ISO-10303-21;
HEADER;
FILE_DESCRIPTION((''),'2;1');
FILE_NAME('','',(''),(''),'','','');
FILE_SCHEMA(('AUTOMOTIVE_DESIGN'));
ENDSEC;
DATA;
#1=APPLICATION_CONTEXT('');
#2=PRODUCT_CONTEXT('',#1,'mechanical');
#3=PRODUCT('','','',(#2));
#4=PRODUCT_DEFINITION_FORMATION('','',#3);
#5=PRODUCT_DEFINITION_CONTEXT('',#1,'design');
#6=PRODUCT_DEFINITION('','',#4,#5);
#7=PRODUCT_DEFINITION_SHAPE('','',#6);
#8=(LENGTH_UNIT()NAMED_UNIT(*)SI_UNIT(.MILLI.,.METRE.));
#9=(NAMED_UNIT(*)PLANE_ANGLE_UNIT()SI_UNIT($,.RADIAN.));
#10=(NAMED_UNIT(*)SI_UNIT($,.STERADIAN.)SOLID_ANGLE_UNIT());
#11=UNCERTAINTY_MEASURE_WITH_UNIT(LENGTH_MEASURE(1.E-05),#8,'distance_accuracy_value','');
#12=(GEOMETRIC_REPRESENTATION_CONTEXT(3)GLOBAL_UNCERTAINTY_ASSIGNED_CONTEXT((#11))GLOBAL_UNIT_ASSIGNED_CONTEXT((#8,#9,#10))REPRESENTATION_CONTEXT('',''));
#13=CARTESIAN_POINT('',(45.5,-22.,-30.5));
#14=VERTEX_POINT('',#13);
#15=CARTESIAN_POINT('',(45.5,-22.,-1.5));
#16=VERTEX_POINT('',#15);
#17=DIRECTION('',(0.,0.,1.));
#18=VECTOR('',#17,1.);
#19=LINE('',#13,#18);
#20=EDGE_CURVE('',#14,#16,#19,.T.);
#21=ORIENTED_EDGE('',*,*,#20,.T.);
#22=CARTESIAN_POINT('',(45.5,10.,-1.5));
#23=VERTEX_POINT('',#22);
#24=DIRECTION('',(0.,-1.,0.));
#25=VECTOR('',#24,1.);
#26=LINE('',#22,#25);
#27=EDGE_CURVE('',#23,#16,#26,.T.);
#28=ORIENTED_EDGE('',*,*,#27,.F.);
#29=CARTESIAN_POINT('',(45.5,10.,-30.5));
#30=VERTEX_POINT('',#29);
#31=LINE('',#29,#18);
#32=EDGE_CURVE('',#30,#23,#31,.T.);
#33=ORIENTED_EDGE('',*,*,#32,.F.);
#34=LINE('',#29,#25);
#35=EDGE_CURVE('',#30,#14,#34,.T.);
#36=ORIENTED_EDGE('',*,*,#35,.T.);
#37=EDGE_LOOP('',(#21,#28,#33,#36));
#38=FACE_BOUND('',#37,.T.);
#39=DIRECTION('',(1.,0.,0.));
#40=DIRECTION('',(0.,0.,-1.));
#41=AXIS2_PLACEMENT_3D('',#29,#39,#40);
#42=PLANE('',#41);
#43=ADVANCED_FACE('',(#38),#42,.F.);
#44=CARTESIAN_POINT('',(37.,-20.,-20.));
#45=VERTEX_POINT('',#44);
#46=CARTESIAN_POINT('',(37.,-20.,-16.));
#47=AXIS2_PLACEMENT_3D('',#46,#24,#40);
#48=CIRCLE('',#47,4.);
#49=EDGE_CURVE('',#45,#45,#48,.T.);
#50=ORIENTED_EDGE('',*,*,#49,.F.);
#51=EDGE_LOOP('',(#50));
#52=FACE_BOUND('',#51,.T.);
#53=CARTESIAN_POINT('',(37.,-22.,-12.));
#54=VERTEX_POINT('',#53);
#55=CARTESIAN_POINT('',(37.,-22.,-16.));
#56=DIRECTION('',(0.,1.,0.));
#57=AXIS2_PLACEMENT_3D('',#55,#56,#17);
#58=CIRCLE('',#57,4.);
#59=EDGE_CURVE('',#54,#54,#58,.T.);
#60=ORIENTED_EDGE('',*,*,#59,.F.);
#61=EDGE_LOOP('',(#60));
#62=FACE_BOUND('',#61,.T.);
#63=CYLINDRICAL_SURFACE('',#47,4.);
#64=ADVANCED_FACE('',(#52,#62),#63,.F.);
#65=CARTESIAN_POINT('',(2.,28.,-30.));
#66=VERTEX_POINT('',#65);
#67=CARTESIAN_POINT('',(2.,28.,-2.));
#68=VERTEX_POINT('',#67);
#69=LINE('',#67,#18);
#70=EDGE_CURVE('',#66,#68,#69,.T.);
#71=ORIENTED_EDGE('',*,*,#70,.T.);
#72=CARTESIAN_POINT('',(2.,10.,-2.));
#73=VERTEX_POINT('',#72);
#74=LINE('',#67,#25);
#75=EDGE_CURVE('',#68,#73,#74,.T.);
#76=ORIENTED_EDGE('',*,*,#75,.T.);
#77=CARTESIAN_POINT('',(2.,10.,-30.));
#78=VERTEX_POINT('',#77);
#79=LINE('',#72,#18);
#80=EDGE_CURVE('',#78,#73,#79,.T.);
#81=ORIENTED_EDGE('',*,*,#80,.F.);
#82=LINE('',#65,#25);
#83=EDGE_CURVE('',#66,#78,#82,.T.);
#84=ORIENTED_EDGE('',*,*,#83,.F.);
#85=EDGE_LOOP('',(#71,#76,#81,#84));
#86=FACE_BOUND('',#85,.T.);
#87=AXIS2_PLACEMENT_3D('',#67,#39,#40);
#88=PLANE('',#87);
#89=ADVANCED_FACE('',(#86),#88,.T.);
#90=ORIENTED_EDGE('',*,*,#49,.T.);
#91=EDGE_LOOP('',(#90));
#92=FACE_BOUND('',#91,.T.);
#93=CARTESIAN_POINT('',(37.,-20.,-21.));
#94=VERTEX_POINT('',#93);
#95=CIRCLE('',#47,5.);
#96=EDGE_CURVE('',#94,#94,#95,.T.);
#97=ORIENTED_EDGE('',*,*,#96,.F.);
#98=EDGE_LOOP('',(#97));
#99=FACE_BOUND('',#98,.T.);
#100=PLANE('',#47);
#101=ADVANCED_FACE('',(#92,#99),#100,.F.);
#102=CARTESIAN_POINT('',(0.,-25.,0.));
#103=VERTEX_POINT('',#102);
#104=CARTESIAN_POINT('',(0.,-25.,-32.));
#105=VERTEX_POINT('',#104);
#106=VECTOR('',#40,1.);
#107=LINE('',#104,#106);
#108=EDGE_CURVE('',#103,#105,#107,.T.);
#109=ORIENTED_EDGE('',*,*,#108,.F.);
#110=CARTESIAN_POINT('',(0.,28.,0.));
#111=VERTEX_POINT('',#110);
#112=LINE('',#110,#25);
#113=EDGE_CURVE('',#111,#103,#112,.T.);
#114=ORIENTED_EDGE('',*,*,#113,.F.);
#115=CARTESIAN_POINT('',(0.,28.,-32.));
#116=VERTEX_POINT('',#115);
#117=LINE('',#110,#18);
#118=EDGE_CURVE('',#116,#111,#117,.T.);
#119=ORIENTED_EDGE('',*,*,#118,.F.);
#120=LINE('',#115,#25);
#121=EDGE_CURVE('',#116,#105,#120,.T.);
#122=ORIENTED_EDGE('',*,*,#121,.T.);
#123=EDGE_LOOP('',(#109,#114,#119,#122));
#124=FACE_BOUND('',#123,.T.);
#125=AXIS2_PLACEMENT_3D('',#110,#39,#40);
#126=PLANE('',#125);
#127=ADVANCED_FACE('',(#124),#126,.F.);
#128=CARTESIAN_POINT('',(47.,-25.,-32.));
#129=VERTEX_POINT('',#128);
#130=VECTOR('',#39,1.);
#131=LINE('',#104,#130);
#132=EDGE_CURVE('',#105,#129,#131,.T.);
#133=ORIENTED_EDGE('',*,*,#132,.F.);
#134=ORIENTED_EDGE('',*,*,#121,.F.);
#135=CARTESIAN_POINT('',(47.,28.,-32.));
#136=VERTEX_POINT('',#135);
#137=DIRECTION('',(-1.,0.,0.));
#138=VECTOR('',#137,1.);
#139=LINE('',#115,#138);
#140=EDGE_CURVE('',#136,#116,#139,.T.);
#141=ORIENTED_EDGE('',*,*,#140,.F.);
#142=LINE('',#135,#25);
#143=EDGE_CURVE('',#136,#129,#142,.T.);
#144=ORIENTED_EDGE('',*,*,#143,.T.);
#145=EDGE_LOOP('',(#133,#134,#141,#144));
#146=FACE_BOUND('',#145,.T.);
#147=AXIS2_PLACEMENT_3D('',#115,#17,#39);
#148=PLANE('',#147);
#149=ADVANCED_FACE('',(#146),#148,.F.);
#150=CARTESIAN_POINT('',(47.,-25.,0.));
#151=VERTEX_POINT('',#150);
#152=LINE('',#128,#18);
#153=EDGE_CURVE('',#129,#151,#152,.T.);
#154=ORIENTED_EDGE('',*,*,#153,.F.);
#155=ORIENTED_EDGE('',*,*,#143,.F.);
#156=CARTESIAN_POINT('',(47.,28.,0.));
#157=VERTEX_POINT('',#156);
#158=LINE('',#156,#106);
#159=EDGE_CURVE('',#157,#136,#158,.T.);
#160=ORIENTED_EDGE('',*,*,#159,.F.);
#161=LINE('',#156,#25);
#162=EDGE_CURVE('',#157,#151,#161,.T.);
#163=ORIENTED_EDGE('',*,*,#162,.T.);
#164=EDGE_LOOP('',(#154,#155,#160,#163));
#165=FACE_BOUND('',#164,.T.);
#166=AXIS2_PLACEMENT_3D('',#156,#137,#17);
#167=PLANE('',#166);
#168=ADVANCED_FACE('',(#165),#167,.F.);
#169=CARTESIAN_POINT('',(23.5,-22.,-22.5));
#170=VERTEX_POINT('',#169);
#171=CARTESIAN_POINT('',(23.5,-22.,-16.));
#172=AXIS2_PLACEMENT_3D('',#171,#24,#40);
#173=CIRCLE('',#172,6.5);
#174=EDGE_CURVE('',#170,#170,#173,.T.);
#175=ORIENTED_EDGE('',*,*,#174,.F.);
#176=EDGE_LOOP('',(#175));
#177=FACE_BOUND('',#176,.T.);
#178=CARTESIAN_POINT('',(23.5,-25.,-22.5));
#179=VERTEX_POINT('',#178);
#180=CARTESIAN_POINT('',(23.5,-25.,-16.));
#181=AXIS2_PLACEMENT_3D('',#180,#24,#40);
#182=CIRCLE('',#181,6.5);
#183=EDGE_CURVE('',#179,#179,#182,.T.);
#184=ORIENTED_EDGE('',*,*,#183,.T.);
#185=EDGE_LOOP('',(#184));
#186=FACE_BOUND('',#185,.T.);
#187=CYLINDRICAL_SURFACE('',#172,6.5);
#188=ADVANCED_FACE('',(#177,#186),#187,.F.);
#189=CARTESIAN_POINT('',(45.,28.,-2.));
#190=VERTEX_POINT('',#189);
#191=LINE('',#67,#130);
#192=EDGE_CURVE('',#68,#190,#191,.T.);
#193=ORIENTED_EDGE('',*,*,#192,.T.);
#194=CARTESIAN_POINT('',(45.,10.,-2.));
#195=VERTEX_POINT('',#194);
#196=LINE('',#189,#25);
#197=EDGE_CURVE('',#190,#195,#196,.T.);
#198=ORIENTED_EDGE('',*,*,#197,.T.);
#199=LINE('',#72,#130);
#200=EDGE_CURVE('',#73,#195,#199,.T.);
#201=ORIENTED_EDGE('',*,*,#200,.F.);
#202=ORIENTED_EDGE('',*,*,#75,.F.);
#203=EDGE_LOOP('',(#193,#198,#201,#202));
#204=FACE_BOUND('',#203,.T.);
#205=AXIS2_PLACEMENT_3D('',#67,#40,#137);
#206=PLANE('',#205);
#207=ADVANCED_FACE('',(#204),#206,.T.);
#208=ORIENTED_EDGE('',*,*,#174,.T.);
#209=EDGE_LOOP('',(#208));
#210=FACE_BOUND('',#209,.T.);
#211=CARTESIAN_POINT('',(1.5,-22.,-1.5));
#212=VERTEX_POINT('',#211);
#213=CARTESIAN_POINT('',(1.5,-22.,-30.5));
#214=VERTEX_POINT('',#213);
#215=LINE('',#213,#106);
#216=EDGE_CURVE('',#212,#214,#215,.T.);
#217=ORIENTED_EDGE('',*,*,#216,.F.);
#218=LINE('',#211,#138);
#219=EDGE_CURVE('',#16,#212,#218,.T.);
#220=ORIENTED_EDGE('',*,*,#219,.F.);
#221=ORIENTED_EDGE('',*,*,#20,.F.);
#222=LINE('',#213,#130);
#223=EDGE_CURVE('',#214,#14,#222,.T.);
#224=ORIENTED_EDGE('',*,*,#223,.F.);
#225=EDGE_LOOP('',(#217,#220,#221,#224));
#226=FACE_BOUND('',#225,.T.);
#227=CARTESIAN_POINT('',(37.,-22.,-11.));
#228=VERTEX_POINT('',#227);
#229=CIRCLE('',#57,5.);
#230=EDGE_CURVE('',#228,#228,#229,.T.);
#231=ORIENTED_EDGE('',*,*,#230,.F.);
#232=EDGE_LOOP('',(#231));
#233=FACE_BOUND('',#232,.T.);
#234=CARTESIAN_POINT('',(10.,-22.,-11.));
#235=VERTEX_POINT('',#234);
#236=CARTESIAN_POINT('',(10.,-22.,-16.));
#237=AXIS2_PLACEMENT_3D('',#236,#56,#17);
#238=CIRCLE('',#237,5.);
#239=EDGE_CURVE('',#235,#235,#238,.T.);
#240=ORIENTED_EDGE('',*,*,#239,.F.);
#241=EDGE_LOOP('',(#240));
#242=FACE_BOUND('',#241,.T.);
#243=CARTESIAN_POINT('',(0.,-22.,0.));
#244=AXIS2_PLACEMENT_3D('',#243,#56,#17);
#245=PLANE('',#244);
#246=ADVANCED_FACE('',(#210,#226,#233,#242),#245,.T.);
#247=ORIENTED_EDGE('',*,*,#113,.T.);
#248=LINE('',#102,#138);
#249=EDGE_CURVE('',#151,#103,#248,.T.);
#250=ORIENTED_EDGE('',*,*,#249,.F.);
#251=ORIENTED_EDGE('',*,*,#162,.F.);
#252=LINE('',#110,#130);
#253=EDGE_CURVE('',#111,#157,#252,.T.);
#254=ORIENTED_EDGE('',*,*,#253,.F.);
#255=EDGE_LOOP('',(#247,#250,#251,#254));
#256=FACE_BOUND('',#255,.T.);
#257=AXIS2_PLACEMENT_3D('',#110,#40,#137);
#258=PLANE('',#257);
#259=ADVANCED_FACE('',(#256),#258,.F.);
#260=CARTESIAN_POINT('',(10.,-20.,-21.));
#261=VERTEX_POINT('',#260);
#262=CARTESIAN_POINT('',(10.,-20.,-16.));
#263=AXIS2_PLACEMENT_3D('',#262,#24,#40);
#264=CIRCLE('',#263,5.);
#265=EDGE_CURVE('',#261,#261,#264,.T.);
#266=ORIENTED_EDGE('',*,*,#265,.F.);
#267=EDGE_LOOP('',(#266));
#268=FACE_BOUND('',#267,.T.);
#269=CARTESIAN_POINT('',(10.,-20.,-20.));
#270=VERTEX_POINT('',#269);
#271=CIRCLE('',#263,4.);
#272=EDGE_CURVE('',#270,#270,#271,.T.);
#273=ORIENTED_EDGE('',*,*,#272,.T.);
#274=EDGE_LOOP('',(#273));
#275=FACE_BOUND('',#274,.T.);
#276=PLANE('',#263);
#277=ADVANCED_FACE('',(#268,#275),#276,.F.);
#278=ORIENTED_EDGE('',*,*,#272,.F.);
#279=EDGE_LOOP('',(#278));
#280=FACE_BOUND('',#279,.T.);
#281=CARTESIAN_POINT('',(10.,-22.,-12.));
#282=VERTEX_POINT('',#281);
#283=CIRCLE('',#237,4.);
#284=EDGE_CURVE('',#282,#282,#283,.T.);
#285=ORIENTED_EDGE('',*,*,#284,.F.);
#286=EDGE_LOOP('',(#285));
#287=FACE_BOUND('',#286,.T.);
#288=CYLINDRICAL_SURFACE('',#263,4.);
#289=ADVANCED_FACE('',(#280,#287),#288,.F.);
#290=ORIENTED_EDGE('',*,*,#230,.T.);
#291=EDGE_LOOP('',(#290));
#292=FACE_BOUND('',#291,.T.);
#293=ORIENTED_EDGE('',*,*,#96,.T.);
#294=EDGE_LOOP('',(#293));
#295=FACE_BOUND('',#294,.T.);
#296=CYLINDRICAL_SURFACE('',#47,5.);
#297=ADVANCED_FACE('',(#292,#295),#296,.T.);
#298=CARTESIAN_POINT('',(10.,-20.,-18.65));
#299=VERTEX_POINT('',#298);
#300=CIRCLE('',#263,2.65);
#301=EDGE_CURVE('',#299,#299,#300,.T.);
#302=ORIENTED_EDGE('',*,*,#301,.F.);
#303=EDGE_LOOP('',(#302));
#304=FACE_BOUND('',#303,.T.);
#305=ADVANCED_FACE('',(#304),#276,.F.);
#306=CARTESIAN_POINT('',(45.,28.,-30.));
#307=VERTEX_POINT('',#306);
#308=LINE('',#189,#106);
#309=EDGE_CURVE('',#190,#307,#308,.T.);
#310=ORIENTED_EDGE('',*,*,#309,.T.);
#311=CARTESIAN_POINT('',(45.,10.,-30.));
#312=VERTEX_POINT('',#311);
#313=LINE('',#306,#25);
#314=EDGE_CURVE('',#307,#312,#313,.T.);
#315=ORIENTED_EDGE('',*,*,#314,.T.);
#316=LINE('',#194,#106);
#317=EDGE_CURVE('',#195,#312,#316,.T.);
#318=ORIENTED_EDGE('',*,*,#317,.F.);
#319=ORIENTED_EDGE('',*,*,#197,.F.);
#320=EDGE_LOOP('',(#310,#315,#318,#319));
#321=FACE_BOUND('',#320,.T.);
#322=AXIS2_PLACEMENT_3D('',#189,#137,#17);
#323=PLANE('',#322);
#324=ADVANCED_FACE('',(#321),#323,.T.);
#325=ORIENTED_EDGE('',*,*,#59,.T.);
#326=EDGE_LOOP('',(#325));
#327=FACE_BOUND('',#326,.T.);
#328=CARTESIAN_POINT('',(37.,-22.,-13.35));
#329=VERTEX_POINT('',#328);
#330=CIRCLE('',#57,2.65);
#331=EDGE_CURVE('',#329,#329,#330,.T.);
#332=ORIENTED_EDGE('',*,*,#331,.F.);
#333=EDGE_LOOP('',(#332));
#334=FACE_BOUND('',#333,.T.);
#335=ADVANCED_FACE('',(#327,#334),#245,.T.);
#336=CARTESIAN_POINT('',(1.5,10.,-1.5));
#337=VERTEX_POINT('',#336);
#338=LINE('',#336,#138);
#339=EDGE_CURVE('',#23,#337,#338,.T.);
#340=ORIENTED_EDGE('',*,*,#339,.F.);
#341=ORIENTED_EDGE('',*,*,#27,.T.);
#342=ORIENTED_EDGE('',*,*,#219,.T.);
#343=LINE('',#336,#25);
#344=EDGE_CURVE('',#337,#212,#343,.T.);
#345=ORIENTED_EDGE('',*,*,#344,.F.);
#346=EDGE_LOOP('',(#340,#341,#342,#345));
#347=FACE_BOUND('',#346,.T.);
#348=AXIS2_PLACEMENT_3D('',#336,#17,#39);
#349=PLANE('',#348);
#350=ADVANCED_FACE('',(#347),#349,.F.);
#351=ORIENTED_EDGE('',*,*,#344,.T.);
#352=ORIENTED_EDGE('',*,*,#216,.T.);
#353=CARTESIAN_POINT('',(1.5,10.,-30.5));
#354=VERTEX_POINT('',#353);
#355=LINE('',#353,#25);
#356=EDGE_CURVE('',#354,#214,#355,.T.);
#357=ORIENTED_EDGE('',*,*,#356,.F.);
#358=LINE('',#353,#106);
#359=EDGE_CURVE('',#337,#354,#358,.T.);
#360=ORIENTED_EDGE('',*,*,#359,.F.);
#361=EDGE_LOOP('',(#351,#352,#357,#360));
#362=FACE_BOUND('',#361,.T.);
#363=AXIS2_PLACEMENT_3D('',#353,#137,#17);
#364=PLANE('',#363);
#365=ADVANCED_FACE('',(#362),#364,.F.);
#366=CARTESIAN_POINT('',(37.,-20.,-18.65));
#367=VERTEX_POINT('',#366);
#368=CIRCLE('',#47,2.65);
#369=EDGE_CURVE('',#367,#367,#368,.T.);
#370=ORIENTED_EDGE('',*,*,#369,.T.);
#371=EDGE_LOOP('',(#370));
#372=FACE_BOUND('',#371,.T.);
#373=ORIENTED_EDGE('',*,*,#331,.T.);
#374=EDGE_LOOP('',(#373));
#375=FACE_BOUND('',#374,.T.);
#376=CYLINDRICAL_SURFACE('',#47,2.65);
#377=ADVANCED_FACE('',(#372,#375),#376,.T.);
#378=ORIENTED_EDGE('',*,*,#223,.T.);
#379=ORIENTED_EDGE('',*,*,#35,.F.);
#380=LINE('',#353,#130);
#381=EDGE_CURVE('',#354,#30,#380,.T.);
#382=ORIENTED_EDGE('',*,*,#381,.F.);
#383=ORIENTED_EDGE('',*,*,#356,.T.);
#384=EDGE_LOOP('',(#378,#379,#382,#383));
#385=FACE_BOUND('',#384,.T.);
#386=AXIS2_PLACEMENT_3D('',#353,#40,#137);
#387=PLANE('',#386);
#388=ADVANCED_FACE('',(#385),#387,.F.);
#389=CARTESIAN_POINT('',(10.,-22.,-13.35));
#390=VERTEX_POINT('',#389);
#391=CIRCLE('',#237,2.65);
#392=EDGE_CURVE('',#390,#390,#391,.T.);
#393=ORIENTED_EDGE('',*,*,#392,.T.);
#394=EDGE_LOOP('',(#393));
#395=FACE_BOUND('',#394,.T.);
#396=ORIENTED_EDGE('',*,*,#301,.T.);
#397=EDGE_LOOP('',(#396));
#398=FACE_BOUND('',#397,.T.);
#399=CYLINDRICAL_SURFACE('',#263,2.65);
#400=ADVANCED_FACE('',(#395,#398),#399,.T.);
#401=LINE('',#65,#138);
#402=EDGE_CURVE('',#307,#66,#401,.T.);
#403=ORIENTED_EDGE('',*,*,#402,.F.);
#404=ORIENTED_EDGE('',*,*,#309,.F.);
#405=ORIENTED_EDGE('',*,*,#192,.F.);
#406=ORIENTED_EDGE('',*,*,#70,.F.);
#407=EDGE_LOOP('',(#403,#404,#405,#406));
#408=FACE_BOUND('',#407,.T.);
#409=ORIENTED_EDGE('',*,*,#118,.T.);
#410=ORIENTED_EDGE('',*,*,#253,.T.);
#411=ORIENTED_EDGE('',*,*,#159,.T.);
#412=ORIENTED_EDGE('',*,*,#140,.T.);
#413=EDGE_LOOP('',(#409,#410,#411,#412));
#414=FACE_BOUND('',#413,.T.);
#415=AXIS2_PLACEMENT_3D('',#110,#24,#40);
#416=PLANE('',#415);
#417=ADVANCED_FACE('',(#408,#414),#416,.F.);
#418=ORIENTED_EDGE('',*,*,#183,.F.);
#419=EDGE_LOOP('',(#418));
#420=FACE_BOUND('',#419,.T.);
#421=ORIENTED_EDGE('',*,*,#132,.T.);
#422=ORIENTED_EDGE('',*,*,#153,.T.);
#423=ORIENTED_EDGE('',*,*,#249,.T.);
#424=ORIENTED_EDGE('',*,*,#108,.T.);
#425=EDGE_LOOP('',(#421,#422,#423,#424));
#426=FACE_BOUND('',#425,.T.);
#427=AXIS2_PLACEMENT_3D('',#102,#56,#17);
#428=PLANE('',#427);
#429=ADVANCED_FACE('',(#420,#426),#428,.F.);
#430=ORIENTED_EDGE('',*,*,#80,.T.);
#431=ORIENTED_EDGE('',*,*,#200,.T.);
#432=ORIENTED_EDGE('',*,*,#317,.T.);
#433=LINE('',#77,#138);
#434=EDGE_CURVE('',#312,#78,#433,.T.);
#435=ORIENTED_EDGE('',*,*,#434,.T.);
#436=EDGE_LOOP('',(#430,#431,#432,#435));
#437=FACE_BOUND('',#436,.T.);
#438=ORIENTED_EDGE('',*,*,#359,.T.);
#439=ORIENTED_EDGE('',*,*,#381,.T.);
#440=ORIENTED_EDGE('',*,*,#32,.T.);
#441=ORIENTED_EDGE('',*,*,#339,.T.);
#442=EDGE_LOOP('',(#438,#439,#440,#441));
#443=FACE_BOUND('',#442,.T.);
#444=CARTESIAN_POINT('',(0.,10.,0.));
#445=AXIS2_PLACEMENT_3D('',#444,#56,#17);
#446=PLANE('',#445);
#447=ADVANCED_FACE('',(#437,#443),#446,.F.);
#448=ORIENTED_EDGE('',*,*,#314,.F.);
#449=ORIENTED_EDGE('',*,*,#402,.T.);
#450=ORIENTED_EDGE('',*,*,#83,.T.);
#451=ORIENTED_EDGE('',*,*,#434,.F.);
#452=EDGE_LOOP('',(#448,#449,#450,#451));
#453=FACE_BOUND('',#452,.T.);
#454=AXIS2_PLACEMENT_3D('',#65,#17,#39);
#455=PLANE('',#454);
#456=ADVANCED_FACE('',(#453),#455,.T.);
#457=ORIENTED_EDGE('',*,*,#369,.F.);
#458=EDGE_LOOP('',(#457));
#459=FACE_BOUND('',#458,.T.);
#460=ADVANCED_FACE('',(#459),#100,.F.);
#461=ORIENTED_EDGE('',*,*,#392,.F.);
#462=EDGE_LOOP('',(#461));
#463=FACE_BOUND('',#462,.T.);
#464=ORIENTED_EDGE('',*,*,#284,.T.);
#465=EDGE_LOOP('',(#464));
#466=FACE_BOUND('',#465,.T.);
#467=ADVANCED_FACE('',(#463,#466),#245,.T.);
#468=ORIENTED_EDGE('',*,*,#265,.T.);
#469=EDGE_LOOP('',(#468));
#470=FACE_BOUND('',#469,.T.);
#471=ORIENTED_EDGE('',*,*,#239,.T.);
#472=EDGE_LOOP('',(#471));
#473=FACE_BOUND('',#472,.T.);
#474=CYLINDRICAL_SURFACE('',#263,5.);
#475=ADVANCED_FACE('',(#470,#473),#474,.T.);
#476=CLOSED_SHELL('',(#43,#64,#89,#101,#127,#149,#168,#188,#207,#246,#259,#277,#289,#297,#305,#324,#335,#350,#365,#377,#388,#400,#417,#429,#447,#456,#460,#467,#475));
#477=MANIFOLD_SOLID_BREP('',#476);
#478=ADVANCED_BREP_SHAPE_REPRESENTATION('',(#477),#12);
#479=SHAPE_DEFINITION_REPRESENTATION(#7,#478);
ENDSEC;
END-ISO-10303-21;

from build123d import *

# Parameters (mm, degrees)
SKETCH1_W           = 47
SKETCH1_H           = 32
SKETCH1_W_2         = 43
SKETCH1_H_2         = 28
BOSS_EXTRUDE1_DEPTH = 28
SKETCH2_W           = 44
SKETCH2_H           = 29
CUT_EXTRUDE1_DEPTH  = 10
SKETCH3_W           = 47
SKETCH3_H           = 32
SKETCH3_W_2         = 44
SKETCH3_H_2         = 29
BOSS_EXTRUDE2_DEPTH = 25
SKETCH4_W           = 47
SKETCH4_H           = 32
SKETCH4_R           = 6.5
BOSS_EXTRUDE3_DEPTH = 3
SKETCH5_R           = 5
SKETCH5_R_2         = 4
BOSS_EXTRUDE4_DEPTH = 5
SKETCH6_R           = 2.65
BOSS_EXTRUDE5_DEPTH = 5


with BuildPart() as part:
    # Sketch1 → Boss-Extrude1 (new body)
    with BuildSketch(Plane(origin=(0, 0, 0), x_dir=(1, 0, 0), z_dir=(0, 1, 0))):
        with Locations((23.5, 16)):
            Rectangle(SKETCH1_W, SKETCH1_H)
        with Locations((23.5, 16)):
            Rectangle(SKETCH1_W_2, SKETCH1_H_2, mode=Mode.SUBTRACT)
    extrude(amount=BOSS_EXTRUDE1_DEPTH)

    # Sketch2 → Cut-Extrude1 (cut)
    with BuildSketch(Plane.XZ):
        with Locations((23.5, -16)):
            Rectangle(SKETCH2_W, SKETCH2_H)
    extrude(amount=-CUT_EXTRUDE1_DEPTH, mode=Mode.SUBTRACT)

    # Sketch3 → Boss-Extrude2 (add)
    with BuildSketch(Plane.XZ):
        with Locations((23.5, -16)):
            Rectangle(SKETCH3_W, SKETCH3_H)
        with Locations((23.5, -16)):
            Rectangle(SKETCH3_W_2, SKETCH3_H_2, mode=Mode.SUBTRACT)
    extrude(amount=BOSS_EXTRUDE2_DEPTH)

    # Sketch4 → Boss-Extrude3 (add)
    with BuildSketch(Plane.XZ.offset(25)):
        with Locations((23.5, -16)):
            Rectangle(SKETCH4_W, SKETCH4_H)
        with Locations(Location((23.5, -16, 0), (0, 0, 270))):
            Circle(SKETCH4_R, mode=Mode.SUBTRACT)
    extrude(amount=-BOSS_EXTRUDE3_DEPTH)

    # Sketch5 → Boss-Extrude4 (add)
    # profile 1 of 2: a face of its own
    with BuildSketch(Plane.XZ.offset(25)):
        with Locations(Location((10, -16, 0), (0, 0, 270))):
            Circle(SKETCH5_R)
        with Locations(Location((10, -16, 0), (0, 0, 270))):
            Circle(SKETCH5_R_2, mode=Mode.SUBTRACT)
    # profile 2 of 2: a face of its own
    with BuildSketch(Plane.XZ.offset(25)):
        with Locations(Location((37, -16, 0), (0, 0, 270))):
            Circle(SKETCH5_R)
        with Locations(Location((37, -16, 0), (0, 0, 270))):
            Circle(SKETCH5_R_2, mode=Mode.SUBTRACT)
    extrude(amount=-BOSS_EXTRUDE4_DEPTH)

    # Sketch6 → Boss-Extrude5 (add)
    with BuildSketch(Plane.XZ.offset(25)):
        with Locations(Location((10, -16, 0), (0, 0, 270))):
            Circle(SKETCH6_R)
        with Locations(Location((37, -16, 0), (0, 0, 270))):
            Circle(SKETCH6_R)
    extrude(amount=-BOSS_EXTRUDE5_DEPTH)


solid = part.part
